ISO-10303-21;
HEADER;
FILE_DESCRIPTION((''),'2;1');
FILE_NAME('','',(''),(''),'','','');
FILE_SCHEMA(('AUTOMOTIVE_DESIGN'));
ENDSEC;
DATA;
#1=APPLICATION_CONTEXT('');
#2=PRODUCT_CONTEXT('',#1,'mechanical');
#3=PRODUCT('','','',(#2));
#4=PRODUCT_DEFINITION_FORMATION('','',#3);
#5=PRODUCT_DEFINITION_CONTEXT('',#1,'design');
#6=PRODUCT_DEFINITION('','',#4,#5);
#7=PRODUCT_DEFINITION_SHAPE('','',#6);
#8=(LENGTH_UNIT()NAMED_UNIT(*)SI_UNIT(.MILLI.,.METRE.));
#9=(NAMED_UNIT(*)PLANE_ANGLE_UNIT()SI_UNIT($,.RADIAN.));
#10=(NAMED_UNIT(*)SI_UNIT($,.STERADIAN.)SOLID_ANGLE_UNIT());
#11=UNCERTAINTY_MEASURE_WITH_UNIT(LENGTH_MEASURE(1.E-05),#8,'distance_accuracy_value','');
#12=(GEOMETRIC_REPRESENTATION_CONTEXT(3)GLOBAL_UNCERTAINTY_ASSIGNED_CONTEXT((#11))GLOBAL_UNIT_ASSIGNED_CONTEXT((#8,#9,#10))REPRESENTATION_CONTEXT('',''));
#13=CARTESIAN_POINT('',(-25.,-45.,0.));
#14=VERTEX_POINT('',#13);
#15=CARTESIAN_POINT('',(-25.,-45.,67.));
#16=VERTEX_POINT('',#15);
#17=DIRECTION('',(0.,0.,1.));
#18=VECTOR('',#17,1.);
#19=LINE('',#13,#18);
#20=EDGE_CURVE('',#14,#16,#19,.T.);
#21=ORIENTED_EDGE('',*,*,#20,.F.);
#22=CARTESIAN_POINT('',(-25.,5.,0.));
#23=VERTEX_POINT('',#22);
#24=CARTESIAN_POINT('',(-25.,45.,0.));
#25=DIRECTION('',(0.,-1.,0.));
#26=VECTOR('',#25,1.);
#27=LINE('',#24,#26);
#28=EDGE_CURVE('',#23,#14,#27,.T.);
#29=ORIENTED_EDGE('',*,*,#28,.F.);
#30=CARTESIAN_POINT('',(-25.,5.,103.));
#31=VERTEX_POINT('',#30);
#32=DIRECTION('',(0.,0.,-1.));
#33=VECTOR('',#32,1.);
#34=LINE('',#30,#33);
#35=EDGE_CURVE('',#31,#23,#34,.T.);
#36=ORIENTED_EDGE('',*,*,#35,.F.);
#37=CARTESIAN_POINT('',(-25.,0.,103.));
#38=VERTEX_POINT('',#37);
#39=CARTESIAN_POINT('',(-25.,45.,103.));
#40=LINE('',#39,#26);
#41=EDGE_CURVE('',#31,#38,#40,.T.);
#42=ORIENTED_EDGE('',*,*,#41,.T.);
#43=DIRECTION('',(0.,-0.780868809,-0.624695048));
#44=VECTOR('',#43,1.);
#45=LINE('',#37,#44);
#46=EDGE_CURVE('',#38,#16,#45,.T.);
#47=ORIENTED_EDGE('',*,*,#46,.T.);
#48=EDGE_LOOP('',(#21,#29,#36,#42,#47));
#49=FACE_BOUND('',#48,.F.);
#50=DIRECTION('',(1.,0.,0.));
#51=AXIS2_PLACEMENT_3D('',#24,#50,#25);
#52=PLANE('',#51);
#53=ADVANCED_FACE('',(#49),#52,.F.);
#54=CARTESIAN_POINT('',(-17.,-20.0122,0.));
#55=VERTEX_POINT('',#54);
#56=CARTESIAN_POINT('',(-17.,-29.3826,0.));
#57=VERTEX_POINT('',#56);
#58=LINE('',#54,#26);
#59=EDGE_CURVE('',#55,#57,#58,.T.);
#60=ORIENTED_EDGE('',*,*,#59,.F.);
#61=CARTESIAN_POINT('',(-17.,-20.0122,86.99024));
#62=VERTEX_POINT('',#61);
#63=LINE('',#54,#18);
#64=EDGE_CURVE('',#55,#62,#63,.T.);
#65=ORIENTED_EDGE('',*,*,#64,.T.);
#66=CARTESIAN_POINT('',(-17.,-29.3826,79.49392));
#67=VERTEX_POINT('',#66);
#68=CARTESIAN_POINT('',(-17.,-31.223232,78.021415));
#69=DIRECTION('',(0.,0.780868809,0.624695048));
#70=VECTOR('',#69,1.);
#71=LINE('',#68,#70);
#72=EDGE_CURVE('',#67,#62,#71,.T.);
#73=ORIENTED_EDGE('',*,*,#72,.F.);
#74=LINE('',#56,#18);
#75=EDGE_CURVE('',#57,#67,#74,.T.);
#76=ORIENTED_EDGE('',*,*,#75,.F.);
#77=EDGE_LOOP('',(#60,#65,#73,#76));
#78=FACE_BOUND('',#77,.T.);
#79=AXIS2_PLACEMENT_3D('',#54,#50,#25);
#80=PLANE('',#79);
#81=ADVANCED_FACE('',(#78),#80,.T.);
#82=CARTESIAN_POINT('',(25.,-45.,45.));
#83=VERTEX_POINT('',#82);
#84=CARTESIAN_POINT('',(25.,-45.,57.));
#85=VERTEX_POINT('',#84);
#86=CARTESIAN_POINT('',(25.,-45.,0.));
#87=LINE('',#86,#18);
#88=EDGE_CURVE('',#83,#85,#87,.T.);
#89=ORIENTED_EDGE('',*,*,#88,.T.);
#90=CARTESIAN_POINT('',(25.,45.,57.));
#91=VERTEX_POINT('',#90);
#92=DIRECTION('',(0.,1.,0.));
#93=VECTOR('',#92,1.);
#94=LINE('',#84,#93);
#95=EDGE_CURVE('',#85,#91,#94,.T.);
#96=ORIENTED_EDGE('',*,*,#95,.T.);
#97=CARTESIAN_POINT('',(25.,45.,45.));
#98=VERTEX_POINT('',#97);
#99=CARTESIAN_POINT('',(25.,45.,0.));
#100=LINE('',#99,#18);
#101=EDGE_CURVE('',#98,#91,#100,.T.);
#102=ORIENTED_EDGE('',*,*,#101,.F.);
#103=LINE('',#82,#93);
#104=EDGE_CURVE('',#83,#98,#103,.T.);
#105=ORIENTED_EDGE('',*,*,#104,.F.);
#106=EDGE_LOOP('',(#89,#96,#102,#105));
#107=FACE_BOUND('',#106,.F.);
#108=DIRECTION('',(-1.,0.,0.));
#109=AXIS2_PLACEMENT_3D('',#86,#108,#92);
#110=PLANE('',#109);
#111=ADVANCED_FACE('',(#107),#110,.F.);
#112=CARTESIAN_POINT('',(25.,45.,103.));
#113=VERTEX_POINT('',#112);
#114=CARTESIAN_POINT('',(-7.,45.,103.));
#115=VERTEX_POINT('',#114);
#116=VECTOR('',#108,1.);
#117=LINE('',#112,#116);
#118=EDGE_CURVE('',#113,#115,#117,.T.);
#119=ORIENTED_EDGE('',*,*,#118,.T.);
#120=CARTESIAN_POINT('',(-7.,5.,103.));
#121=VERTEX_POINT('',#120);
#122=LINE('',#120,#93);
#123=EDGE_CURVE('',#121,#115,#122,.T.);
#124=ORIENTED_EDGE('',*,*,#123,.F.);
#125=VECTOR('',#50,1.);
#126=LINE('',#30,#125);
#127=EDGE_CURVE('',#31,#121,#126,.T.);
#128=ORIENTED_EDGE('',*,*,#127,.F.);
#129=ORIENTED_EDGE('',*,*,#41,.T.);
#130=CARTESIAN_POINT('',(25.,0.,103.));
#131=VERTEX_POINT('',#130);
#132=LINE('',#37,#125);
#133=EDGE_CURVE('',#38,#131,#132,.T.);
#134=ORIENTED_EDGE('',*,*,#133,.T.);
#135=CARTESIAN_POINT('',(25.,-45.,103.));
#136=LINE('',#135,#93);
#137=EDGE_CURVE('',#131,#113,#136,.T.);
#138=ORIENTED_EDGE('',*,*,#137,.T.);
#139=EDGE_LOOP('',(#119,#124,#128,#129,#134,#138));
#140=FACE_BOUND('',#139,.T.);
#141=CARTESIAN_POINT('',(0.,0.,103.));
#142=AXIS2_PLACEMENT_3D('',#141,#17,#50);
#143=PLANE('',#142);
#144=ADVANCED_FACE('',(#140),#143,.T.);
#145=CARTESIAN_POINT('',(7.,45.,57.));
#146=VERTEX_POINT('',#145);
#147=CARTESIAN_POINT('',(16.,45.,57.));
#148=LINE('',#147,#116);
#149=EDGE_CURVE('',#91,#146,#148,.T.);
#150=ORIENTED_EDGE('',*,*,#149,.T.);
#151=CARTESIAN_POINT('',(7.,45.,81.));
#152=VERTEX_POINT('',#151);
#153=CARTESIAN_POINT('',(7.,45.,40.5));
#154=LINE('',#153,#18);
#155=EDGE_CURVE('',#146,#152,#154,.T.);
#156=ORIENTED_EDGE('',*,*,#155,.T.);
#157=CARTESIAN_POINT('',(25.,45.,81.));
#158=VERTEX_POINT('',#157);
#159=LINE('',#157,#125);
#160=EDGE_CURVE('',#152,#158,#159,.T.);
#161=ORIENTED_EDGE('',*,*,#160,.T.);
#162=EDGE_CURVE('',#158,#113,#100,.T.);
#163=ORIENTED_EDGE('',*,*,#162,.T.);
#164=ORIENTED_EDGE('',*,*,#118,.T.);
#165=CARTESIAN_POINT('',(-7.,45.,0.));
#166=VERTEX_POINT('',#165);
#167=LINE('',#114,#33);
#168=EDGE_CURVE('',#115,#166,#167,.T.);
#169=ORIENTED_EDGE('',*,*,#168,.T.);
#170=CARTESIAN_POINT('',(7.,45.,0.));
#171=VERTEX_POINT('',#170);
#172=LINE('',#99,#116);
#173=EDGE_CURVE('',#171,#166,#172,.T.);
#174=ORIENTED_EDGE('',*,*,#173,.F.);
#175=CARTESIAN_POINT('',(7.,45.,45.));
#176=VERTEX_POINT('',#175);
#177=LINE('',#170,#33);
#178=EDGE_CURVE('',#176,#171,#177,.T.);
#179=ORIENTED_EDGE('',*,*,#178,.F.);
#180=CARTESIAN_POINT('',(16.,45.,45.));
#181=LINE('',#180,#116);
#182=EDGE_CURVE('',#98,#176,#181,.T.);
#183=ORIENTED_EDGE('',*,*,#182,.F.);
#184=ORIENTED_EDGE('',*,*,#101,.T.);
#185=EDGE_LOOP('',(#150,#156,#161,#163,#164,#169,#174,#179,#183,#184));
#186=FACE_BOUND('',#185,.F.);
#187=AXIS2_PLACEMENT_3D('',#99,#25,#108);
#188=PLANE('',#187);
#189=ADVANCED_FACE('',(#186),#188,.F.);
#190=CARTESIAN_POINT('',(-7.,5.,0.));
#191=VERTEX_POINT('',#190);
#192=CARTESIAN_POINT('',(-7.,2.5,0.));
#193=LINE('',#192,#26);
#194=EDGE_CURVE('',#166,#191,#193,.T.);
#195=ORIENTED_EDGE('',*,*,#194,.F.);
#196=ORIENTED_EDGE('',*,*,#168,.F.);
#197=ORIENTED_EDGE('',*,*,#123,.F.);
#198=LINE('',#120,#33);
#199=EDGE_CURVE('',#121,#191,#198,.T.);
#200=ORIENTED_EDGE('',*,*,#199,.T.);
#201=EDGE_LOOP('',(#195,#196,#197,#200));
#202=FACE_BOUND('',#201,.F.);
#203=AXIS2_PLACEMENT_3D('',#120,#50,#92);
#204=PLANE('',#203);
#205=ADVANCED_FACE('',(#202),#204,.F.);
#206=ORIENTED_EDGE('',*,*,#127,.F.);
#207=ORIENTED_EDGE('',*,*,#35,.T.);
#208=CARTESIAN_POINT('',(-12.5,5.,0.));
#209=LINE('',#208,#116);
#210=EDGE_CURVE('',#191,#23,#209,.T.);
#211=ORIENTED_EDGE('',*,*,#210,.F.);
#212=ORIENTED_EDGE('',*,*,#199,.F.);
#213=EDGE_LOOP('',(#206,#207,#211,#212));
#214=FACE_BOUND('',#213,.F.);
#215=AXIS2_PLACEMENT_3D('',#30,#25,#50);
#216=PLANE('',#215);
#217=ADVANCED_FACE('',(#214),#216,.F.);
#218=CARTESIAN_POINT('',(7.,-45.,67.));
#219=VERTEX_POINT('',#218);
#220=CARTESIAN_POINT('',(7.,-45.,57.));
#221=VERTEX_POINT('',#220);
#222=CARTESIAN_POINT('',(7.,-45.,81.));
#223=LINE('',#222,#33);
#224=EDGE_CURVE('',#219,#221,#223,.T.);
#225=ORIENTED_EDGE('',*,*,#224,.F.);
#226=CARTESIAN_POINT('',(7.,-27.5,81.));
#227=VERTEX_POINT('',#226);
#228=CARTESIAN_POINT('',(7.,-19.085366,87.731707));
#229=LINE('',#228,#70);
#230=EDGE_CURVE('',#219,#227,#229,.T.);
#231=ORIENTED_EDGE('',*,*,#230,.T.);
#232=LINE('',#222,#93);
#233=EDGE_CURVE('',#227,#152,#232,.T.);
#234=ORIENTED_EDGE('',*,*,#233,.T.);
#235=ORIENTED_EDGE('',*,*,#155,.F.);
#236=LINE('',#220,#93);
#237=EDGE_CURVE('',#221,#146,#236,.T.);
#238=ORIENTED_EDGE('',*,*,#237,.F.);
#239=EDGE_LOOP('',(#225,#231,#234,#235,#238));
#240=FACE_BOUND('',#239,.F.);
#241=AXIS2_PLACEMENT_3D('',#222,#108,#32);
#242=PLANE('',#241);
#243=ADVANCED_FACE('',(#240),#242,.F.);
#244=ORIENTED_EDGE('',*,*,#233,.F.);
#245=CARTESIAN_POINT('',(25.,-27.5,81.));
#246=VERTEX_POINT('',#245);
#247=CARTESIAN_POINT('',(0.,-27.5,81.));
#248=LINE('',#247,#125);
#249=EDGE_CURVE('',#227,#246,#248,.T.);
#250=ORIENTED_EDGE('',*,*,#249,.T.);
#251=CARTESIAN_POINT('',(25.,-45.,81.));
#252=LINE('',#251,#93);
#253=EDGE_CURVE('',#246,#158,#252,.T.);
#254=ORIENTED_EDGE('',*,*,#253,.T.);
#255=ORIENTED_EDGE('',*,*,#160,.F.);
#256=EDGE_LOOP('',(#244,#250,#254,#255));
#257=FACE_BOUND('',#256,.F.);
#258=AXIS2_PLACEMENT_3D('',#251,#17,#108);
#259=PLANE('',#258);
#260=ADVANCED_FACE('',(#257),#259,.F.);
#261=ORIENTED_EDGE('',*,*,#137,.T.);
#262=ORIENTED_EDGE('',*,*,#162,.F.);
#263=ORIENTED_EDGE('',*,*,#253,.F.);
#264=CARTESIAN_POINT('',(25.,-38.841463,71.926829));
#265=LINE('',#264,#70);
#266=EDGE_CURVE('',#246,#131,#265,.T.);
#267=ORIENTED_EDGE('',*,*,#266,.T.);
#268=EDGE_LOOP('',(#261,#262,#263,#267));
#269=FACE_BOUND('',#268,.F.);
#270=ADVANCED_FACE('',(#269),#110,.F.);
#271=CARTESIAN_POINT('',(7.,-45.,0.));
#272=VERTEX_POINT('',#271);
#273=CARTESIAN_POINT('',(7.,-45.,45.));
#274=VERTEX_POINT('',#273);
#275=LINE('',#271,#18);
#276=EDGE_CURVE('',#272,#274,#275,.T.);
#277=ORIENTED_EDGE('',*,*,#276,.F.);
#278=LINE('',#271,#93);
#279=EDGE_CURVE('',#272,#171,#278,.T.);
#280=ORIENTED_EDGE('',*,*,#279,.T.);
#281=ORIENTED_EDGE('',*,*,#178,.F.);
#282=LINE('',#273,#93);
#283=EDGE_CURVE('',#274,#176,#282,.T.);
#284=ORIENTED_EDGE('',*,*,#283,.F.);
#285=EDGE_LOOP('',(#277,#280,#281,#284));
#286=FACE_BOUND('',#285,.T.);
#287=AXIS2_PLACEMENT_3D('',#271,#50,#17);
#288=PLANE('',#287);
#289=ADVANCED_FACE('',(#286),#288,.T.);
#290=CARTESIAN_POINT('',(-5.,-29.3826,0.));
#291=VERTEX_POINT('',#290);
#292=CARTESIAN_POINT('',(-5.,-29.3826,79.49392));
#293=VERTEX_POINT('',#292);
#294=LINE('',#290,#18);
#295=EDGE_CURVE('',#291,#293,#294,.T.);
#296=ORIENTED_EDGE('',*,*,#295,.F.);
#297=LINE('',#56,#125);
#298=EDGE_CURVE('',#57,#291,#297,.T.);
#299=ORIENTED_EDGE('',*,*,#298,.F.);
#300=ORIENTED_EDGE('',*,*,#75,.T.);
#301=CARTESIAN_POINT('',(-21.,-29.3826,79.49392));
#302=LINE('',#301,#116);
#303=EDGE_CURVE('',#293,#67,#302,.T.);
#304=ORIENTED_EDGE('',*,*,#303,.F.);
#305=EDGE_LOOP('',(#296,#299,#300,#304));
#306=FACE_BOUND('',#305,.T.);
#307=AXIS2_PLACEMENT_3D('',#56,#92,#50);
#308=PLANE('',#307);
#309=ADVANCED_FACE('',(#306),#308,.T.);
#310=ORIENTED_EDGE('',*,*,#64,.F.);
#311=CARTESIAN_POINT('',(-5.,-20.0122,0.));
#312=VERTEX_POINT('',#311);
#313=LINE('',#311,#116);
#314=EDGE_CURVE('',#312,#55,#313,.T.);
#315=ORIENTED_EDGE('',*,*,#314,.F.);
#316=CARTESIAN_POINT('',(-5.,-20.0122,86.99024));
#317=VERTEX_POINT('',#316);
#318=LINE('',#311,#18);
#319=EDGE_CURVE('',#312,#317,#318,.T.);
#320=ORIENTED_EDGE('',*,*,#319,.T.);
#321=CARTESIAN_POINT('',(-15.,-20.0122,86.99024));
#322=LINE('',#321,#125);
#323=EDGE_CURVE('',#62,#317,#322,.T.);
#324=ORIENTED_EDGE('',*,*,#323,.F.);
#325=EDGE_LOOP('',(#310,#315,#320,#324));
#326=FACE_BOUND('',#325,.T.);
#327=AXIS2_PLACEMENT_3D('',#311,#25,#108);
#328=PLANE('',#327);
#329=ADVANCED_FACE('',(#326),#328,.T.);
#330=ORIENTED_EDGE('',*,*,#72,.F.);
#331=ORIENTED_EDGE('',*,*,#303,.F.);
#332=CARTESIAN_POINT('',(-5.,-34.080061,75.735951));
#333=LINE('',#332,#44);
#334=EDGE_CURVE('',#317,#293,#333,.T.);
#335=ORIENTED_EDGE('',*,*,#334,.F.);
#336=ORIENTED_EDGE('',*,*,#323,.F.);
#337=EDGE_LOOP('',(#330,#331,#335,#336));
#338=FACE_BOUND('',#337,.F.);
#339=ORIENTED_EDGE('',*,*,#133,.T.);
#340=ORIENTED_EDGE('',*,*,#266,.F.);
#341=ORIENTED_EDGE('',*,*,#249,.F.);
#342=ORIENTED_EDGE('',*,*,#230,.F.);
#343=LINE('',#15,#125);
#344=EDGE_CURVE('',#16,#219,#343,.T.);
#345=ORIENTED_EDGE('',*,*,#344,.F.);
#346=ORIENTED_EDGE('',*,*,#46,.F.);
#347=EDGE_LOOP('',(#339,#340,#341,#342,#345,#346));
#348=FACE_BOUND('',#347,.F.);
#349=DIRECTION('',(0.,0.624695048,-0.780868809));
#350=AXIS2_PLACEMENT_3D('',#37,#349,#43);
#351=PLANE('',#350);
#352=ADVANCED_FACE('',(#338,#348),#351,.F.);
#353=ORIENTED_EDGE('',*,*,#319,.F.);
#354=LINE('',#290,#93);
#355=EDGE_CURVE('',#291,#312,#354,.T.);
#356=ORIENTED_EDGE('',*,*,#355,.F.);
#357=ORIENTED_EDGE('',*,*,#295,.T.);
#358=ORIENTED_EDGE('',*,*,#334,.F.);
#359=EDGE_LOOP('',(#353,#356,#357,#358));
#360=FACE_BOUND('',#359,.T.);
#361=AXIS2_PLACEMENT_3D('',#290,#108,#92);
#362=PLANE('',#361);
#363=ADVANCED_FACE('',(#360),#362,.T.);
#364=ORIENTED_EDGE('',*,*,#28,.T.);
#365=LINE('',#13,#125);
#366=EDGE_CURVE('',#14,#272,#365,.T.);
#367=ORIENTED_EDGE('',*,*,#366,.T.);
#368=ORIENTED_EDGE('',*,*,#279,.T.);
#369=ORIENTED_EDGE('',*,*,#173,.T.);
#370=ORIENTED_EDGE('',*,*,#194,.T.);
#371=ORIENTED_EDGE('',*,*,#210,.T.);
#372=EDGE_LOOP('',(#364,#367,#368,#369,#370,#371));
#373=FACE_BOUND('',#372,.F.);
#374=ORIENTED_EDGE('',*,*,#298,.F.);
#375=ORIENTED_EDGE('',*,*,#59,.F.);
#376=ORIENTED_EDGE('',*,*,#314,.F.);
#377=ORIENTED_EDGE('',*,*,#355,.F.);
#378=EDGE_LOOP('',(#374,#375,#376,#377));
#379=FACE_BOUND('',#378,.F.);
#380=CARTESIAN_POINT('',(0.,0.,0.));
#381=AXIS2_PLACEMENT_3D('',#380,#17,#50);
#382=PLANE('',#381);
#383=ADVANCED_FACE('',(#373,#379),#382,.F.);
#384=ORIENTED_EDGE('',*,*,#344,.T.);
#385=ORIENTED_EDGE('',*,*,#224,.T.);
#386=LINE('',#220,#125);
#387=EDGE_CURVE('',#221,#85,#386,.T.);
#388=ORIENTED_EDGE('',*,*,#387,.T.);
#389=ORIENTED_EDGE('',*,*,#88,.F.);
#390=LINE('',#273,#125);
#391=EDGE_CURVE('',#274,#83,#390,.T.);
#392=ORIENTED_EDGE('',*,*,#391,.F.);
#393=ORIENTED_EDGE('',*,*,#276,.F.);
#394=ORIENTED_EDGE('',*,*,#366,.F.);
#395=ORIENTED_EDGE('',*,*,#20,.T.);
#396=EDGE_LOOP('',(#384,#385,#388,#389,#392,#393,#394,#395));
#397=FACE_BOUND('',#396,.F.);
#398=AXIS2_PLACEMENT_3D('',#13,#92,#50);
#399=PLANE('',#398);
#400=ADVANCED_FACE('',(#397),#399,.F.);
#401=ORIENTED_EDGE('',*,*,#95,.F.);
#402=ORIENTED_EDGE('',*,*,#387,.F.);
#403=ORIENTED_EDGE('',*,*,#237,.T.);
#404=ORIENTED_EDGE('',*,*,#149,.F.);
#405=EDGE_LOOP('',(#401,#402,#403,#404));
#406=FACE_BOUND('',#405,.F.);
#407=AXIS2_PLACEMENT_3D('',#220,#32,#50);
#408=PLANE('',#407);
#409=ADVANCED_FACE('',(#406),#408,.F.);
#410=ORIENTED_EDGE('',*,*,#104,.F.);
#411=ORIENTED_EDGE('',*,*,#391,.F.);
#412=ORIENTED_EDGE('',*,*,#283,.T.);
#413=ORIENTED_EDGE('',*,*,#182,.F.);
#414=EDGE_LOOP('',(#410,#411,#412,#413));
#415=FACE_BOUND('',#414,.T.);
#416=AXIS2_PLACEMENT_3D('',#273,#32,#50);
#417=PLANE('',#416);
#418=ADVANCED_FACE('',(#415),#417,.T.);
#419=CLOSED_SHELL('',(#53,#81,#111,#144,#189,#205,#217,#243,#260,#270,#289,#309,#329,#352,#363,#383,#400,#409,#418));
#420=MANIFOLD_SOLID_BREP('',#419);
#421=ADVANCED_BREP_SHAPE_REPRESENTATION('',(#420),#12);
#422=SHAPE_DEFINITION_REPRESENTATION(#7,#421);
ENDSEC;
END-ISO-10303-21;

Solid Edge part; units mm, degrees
sketch "Sketch1" plane through (0, 0, 0) normal (0, 0, 1) x (1, 0, 0)
  line L0 (25, -45) -> (25, 45)
  line L1 (25, 45) -> (-25, 45)
  line L2 (-25, 45) -> (-25, -45)
  line L3 (-25, -45) -> (25, -45)
extrude "Protrusion1" add sketch "Sketch1" along normal blind 103
sketch "Sketch2" plane through (0, -45, 51.5) normal (0, -1, 0) x (1, 0, 0)
  line L0 (25, 5.5) -> (25, 29.5)
  line L1 (25, 29.5) -> (7, 29.5)
  line L2 (7, 29.5) -> (7, 5.5)
  line L3 (7, 5.5) -> (25, 5.5)
  line L4 (25, -6.5) -> (25, -51.5)
  line L5 (25, -51.5) -> (7, -51.5)
  line L6 (7, -51.5) -> (7, -6.5)
  line L7 (7, -6.5) -> (25, -6.5)
extrude "Cutout1" cut sketch "Sketch2" against normal up to next
sketch "Sketch3" plane through (-25, 0, 51.5) normal (-1, 0, 0) x (0, -1, 0)
  line L0 (0, 51.5) -> (45, 15.5)
extrude "Cutout2" cut sketch "Sketch3" against normal up to next material side at (-25, -22.5312, 85.039)
sketch "Sketch4" plane through (0, 22.5, 103) normal (0, 0, 1) x (1, 0, 0)
  line L0 (-7, -17.5) -> (-7, 22.5)
  line L1 (-7, 22.5) -> (-25, 22.5)
  line L2 (-25, 22.5) -> (-25, -17.5)
  line L3 (-25, -17.5) -> (-7, -17.5)
extrude "Cutout3" cut sketch "Sketch4" against normal up to next
sketch "Sketch5" plane through (0, 0, 0) normal (0, 0, 1) x (1, 0, 0)
  line L0 (-17, -29.3826) -> (-5, -29.3826)
  line L1 (-5, -29.3826) -> (-5, -20.0122)
  line L2 (-5, -20.0122) -> (-17, -20.0122)
  line L3 (-17, -20.0122) -> (-17, -29.3826)
extrude "Cutout4" cut sketch "Sketch5" along normal up to next
